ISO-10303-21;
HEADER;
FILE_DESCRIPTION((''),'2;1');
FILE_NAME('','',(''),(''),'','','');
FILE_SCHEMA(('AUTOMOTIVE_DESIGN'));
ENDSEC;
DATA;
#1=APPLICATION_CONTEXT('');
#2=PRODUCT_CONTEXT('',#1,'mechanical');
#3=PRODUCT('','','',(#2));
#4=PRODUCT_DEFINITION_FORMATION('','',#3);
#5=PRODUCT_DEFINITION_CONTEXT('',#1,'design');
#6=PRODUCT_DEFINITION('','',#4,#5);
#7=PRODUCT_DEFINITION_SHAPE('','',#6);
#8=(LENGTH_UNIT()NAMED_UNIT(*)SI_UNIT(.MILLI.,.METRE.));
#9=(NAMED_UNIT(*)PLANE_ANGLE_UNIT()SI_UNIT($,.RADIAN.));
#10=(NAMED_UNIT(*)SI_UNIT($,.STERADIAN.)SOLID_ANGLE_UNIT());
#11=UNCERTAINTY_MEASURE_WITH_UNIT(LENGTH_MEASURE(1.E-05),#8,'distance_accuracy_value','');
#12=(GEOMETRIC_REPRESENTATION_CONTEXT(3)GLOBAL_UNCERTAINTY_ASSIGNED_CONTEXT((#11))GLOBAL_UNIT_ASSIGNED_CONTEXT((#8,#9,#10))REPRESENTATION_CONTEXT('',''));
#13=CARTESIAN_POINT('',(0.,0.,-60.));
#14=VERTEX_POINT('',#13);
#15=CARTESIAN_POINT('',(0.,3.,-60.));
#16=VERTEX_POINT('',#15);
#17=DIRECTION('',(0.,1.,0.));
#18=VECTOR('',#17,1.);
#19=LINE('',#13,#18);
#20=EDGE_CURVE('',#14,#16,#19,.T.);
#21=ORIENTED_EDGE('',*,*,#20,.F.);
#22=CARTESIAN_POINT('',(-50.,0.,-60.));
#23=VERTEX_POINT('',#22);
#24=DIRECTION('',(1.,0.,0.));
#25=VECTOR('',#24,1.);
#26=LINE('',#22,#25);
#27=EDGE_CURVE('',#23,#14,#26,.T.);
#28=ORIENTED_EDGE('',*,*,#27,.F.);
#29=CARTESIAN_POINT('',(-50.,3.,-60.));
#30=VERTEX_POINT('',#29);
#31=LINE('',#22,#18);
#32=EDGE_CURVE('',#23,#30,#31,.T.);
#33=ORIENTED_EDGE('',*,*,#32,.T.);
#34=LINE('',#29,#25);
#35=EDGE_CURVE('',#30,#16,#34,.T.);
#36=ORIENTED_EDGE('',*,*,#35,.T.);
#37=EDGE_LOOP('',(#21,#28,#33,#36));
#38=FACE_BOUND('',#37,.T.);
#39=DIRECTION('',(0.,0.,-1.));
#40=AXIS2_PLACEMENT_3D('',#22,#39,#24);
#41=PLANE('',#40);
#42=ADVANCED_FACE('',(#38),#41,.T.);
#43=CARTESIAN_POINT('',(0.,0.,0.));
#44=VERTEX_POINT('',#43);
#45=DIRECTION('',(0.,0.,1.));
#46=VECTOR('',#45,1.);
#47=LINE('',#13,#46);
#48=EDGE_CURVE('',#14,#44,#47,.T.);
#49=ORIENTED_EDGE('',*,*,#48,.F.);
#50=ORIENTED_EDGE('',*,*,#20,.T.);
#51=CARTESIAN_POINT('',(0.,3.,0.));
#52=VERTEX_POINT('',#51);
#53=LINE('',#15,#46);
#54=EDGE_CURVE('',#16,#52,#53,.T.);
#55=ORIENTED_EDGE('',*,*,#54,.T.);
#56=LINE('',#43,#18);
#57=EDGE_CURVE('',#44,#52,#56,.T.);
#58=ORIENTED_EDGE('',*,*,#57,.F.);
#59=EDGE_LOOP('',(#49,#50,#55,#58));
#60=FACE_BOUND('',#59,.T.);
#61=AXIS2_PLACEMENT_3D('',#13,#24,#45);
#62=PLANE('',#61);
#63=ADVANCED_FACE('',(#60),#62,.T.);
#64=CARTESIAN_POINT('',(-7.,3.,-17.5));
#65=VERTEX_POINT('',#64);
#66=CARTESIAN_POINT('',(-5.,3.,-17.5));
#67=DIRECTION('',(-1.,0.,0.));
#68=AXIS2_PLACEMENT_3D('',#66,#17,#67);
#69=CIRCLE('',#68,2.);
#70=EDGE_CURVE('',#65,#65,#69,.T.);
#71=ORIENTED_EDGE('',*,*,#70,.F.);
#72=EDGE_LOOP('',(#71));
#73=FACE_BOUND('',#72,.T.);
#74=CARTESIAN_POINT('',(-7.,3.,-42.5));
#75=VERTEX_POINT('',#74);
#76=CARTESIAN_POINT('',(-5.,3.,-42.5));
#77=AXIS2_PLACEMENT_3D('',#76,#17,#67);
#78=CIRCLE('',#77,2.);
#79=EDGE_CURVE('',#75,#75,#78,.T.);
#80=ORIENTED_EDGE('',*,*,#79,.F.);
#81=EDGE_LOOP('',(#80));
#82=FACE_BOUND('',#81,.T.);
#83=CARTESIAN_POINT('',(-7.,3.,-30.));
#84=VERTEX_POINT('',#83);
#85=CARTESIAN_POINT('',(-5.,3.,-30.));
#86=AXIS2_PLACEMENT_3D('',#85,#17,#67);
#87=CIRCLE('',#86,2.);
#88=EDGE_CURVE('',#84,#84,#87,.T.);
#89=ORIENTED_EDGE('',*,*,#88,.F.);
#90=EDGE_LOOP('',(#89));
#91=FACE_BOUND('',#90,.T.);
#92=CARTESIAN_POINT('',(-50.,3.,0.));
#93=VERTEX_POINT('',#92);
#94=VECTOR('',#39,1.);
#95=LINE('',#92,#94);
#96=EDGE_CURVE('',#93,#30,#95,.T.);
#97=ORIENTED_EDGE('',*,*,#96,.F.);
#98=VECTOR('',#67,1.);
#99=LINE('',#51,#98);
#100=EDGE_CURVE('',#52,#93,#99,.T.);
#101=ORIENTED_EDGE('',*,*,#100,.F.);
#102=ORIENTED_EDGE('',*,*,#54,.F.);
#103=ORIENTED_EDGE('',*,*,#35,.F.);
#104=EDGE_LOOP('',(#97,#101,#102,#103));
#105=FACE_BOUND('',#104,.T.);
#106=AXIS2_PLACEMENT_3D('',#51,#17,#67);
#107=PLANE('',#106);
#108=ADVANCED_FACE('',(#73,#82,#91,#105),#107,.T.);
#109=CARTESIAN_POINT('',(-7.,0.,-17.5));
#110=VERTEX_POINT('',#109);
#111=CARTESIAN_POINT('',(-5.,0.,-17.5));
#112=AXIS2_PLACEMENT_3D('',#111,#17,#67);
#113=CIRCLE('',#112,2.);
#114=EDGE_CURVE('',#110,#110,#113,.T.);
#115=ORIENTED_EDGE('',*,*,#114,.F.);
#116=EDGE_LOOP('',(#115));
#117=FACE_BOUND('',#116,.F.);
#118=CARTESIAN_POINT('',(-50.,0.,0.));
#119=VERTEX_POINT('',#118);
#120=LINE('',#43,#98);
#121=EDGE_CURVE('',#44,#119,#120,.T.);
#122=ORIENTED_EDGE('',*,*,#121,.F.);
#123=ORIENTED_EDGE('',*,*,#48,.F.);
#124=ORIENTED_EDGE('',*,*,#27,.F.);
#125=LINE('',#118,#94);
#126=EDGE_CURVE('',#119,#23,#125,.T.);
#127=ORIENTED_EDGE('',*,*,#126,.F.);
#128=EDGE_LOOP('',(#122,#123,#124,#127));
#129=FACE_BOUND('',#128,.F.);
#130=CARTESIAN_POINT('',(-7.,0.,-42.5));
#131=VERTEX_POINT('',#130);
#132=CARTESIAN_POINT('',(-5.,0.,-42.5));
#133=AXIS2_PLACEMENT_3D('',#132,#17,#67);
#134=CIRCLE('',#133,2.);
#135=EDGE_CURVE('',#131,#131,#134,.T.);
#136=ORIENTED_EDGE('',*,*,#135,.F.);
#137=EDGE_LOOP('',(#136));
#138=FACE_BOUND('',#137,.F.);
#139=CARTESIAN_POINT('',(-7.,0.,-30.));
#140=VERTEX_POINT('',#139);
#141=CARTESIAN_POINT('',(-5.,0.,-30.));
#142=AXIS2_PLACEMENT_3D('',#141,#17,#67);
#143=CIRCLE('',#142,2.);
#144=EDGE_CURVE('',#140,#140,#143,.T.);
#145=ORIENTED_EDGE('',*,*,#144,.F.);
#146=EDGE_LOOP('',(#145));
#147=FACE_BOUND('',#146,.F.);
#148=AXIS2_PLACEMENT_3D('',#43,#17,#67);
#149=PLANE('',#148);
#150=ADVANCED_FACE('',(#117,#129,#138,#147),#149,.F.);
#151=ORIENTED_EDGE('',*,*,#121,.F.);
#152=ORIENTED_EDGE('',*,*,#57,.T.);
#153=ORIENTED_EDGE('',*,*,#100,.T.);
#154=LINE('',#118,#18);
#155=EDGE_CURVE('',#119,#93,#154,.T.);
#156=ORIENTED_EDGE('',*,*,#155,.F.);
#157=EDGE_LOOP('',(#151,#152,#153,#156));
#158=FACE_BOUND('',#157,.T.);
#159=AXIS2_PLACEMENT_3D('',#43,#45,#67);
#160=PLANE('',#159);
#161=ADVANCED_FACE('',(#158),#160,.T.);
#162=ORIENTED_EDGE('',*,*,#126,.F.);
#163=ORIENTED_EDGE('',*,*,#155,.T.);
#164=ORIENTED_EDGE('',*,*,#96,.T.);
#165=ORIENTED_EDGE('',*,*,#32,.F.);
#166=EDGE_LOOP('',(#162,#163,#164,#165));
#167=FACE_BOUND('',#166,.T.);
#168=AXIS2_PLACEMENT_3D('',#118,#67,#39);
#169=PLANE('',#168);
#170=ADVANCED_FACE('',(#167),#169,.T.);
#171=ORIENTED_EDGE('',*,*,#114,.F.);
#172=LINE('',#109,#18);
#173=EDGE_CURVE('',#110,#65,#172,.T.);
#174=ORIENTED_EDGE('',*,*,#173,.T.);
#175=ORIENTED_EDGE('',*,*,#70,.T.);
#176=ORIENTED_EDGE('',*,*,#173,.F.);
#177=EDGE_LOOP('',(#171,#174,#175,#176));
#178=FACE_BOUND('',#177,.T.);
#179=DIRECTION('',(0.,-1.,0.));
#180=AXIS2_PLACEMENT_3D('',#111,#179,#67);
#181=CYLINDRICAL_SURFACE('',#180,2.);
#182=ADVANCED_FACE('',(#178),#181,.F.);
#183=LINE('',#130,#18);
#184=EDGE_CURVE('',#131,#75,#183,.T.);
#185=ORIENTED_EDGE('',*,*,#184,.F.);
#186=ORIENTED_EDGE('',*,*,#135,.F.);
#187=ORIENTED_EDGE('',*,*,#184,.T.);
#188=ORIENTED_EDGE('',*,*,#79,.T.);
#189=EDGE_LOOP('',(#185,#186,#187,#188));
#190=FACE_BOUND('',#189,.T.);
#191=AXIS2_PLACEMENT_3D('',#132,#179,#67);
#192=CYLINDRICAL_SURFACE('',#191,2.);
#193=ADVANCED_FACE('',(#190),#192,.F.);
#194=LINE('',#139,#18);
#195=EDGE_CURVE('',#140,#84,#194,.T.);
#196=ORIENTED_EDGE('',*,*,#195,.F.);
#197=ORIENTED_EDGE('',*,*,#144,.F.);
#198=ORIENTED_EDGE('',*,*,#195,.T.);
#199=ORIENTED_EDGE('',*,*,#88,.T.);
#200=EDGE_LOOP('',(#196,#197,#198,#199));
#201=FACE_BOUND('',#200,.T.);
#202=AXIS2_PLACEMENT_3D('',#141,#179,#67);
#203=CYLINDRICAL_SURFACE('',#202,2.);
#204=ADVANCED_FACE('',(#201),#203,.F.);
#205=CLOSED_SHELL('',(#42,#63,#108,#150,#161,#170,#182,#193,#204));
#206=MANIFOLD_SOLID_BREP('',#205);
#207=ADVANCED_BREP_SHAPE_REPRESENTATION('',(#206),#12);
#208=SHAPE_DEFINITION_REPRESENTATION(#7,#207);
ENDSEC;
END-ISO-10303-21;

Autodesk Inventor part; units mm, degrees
ref_plane "YZ Plane" through (0, 0, 0) normal (1, 0, 0) x (0, 1, 0)
ref_plane "XZ Plane" through (0, 0, 0) normal (0, 1, 0) x (-1, 0, 0)
ref_plane "XY Plane" through (0, 0, 0) normal (0, 0, 1) x (1, 0, 0)
sketch "Sketch1" plane through (0, 0, 0) normal (0, 1, 0) x (-1, 0, 0)
  line L0 (0, 0) -> (50, 0)
  line L1 (50, 0) -> (50, -60)
  line L2 (50, -60) -> (0, -60)
  line L3 (0, -60) -> (0, 0)
  circle A0 centre (5, -30) radius 2
  circle A1 centre (5, -42.5) radius 2
  circle A2 centre (5, -17.5) radius 2
  dimension "d0" = 50
  dimension "d1" = 60
  dimension "d2" = 4
  dimension "d3" = 4
  dimension "d4" = 4
extrude "Extrusion1" add sketch "Sketch1" along normal blind 3
properties part number "dc clamps"
